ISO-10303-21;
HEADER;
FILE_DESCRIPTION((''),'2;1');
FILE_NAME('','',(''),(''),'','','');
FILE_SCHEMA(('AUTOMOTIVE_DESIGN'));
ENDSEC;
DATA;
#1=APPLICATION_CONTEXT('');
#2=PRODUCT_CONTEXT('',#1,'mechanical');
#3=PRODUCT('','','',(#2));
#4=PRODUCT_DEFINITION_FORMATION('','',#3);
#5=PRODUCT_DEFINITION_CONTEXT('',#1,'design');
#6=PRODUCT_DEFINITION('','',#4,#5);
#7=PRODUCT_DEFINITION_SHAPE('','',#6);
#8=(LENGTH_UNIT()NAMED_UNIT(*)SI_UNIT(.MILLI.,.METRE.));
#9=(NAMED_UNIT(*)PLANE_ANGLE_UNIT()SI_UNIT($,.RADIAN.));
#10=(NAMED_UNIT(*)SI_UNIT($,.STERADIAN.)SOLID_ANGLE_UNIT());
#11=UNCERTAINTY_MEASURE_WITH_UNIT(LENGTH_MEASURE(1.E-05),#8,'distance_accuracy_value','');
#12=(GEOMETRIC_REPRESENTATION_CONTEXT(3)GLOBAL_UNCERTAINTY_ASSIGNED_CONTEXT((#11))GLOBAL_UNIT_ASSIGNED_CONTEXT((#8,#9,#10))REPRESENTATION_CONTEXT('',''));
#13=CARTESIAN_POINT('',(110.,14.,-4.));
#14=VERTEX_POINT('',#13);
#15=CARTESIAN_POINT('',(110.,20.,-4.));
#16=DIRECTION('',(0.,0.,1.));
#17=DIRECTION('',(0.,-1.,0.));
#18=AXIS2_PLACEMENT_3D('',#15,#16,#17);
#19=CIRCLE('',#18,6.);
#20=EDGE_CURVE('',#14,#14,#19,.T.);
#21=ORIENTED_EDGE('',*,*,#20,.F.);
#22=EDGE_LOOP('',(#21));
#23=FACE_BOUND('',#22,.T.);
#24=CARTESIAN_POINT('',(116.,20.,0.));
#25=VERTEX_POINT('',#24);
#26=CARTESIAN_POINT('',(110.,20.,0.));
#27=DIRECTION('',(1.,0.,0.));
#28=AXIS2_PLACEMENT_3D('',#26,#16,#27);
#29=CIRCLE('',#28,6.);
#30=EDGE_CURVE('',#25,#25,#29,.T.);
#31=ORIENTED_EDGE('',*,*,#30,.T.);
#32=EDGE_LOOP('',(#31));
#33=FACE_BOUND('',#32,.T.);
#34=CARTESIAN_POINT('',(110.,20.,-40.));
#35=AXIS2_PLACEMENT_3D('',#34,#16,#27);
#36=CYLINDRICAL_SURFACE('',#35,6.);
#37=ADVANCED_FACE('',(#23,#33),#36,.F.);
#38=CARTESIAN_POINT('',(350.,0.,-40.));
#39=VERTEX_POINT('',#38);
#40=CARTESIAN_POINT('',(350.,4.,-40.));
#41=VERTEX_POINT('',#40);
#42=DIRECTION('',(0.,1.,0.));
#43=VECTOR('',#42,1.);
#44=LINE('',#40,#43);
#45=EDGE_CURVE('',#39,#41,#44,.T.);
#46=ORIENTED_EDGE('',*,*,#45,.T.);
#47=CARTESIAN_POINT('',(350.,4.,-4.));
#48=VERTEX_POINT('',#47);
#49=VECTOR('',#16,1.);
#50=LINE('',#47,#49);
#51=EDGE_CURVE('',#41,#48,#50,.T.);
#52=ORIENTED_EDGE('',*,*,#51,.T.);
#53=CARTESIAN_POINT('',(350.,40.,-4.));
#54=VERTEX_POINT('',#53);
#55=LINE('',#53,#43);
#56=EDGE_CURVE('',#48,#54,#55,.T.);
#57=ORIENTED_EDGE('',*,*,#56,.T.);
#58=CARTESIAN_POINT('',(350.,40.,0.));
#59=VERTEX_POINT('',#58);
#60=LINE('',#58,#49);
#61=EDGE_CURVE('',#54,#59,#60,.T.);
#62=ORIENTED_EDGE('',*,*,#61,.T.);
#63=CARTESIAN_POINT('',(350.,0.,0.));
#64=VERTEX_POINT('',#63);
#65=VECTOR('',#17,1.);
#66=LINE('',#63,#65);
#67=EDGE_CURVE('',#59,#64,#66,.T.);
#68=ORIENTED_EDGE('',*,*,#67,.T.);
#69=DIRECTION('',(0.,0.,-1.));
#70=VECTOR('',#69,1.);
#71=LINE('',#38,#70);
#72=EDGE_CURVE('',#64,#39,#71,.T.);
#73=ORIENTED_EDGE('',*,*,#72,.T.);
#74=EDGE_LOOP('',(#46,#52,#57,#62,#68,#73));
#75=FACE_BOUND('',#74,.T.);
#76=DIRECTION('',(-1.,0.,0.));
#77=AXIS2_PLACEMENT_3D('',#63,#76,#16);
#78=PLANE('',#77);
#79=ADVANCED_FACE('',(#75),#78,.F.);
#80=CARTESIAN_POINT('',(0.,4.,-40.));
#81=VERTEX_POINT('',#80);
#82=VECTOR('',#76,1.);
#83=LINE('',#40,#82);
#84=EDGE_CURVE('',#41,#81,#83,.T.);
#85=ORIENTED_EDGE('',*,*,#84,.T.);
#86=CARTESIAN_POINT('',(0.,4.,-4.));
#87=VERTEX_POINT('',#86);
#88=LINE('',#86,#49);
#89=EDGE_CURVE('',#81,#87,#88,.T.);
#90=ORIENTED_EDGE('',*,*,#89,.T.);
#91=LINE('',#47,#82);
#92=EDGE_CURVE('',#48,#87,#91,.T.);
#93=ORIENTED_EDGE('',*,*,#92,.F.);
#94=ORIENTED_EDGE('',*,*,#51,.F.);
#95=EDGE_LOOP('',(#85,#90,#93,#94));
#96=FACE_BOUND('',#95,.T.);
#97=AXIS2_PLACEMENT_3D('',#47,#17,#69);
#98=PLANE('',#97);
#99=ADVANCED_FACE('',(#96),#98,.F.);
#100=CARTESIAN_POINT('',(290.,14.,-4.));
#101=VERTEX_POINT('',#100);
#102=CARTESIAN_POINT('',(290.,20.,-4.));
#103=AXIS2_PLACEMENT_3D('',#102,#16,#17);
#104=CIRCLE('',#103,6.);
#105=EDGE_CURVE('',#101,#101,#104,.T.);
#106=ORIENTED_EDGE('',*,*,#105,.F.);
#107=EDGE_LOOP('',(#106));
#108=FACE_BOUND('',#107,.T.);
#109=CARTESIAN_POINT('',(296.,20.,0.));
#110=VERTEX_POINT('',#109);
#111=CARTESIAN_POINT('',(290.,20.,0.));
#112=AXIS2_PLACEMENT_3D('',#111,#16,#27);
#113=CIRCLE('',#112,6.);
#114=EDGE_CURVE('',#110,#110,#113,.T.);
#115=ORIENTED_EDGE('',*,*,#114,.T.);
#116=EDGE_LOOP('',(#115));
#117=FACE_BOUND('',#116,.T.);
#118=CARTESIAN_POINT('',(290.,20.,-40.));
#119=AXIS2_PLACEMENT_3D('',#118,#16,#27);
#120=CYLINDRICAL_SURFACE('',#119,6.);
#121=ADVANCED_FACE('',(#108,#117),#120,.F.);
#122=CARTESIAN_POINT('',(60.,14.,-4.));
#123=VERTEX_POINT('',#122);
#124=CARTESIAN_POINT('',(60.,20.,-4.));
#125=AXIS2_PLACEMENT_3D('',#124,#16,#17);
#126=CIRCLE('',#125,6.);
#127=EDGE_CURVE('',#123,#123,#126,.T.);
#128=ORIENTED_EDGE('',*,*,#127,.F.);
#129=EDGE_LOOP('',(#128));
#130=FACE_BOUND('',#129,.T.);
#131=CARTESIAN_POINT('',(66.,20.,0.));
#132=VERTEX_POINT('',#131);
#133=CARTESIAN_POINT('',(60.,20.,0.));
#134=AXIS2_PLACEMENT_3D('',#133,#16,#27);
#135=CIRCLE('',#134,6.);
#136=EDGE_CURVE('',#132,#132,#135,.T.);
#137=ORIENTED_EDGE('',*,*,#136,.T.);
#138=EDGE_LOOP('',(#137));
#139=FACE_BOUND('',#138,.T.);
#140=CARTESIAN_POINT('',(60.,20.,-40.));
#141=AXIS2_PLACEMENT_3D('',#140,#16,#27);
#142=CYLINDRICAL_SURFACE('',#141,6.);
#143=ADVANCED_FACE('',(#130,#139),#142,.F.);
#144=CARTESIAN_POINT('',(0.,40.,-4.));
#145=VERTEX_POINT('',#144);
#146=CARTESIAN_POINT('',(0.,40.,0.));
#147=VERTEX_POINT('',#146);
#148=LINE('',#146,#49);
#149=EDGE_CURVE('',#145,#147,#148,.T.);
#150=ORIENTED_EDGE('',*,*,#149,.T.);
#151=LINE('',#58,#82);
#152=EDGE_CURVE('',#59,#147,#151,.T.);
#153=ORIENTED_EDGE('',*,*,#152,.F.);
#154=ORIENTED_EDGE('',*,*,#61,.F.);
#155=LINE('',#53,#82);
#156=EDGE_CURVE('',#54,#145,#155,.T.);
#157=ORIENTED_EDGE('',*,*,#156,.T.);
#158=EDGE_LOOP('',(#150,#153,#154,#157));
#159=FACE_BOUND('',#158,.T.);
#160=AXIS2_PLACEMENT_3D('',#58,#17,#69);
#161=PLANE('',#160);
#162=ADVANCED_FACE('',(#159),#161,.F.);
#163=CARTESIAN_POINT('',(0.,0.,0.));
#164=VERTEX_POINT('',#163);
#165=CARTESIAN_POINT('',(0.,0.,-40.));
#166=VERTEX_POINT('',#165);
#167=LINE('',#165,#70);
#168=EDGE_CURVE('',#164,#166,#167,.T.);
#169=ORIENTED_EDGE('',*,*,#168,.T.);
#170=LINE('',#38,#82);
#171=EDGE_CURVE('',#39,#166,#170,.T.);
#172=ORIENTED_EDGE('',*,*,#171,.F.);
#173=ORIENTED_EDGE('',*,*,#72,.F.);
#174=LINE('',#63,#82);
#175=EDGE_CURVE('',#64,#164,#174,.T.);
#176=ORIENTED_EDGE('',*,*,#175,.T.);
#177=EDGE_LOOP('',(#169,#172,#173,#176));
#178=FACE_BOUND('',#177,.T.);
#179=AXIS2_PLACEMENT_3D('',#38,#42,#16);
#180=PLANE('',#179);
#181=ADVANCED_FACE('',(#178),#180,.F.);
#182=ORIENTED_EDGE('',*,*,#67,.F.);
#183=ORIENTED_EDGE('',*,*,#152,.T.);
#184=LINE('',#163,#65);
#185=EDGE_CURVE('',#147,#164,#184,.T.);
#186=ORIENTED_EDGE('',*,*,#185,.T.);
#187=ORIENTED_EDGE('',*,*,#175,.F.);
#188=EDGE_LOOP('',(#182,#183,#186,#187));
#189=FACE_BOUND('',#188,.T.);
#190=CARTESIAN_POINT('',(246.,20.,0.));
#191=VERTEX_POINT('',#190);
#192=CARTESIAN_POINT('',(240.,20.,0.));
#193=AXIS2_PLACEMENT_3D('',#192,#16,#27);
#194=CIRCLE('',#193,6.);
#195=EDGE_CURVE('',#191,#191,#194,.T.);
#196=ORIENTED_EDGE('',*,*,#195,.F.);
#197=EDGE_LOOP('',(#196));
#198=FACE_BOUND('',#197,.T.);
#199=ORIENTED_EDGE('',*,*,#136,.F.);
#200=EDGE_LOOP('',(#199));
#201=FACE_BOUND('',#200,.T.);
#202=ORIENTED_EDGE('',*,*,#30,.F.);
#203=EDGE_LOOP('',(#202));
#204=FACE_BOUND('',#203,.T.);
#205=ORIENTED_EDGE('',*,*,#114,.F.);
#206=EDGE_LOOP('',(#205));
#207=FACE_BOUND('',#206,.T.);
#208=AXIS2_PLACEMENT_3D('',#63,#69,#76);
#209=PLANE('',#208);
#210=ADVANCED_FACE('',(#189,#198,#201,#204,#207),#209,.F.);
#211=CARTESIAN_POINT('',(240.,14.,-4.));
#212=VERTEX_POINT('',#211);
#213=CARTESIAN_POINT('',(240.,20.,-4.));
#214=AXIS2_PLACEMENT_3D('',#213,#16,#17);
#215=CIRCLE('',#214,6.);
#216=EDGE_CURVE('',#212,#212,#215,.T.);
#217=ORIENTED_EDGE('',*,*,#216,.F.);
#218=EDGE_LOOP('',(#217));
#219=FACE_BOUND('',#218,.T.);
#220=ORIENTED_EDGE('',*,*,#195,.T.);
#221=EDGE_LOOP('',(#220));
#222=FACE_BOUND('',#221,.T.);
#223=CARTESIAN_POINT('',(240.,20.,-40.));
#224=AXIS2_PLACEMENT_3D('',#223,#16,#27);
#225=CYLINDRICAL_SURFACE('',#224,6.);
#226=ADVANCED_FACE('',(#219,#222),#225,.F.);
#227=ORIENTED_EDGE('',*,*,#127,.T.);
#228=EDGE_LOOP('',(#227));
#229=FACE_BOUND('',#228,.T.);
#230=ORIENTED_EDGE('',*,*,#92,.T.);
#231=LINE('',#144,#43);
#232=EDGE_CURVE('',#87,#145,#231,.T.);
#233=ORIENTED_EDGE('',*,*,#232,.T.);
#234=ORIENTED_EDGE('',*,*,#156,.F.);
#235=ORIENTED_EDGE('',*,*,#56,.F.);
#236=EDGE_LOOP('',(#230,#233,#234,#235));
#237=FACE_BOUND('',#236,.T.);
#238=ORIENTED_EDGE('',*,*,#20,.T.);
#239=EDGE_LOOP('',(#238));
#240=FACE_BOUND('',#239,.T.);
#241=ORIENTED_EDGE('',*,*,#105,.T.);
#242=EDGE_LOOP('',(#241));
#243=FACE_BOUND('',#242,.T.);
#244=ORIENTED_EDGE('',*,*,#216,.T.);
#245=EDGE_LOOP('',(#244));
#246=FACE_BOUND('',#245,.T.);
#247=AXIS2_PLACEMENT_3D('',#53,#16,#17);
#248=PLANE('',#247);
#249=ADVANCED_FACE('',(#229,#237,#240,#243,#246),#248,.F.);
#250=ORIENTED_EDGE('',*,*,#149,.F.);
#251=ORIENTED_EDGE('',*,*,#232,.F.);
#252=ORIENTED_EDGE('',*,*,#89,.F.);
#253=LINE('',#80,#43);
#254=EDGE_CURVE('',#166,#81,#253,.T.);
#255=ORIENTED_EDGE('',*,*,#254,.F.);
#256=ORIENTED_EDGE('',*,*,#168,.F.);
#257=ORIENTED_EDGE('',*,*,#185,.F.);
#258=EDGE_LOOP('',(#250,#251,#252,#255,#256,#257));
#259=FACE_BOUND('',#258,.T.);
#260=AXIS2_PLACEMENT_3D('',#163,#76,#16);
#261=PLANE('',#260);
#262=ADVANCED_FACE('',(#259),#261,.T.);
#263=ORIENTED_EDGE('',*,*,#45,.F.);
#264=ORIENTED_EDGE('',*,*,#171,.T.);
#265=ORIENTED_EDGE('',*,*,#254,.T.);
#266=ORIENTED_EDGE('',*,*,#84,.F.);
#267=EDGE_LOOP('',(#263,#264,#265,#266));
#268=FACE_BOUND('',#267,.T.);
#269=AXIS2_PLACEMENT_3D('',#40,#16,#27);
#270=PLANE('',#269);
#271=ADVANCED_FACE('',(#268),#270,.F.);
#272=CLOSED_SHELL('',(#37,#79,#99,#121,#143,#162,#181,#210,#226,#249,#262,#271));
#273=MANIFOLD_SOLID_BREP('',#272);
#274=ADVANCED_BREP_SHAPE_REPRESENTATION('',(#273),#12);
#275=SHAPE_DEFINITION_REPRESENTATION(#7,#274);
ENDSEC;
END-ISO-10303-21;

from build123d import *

# Parameters (mm, degrees)
EXTRUDE_1_DEPTH     = 350
SKETCH_2_R          = 6
CUT_EXTRUDE_1_DEPTH = 355.541958025
SKETCH_3_R          = 6
CUT_EXTRUDE_2_DEPTH = 355.541958025
SKETCH_4_R          = 6
CUT_EXTRUDE_3_DEPTH = 355.541958025
SKETCH_6_R          = 6
CUT_EXTRUDE_4_DEPTH = 355.541958025


with BuildPart() as part:
    # Эскиз1 → Бобышка-Вытянуть1 (new body)
    with BuildSketch(Plane(origin=(0, 0, 0), x_dir=(0, 0, -1), z_dir=(1, 0, 0))):
        Polygon((0, 0), (0, 40), (4, 40), (4, 4), (40, 4), (40, 0), align=None)
    extrude(amount=EXTRUDE_1_DEPTH)

    # Эскиз2 → Вырез-Вытянуть1 (cut, through all)
    with BuildSketch(Plane.XY):
        with Locations((60, 20)):
            Circle(SKETCH_2_R)
    extrude(amount=-CUT_EXTRUDE_1_DEPTH, mode=Mode.SUBTRACT)

    # Эскиз3 → Вырез-Вытянуть2 (cut, through all)
    with BuildSketch(Plane.XY):
        with Locations((290, 20)):
            Circle(SKETCH_3_R)
    extrude(amount=-CUT_EXTRUDE_2_DEPTH, mode=Mode.SUBTRACT)

    # Эскиз4 → Вырез-Вытянуть3 (cut, through all)
    with BuildSketch(Plane.XY):
        with Locations((240, 20)):
            Circle(SKETCH_4_R)
    extrude(amount=-CUT_EXTRUDE_3_DEPTH, mode=Mode.SUBTRACT)

    # Эскиз6 → Вырез-Вытянуть4 (cut, through all)
    with BuildSketch(Plane.XY):
        with Locations((110, 20)):
            Circle(SKETCH_6_R)
    extrude(amount=-CUT_EXTRUDE_4_DEPTH, mode=Mode.SUBTRACT)


solid = part.part
